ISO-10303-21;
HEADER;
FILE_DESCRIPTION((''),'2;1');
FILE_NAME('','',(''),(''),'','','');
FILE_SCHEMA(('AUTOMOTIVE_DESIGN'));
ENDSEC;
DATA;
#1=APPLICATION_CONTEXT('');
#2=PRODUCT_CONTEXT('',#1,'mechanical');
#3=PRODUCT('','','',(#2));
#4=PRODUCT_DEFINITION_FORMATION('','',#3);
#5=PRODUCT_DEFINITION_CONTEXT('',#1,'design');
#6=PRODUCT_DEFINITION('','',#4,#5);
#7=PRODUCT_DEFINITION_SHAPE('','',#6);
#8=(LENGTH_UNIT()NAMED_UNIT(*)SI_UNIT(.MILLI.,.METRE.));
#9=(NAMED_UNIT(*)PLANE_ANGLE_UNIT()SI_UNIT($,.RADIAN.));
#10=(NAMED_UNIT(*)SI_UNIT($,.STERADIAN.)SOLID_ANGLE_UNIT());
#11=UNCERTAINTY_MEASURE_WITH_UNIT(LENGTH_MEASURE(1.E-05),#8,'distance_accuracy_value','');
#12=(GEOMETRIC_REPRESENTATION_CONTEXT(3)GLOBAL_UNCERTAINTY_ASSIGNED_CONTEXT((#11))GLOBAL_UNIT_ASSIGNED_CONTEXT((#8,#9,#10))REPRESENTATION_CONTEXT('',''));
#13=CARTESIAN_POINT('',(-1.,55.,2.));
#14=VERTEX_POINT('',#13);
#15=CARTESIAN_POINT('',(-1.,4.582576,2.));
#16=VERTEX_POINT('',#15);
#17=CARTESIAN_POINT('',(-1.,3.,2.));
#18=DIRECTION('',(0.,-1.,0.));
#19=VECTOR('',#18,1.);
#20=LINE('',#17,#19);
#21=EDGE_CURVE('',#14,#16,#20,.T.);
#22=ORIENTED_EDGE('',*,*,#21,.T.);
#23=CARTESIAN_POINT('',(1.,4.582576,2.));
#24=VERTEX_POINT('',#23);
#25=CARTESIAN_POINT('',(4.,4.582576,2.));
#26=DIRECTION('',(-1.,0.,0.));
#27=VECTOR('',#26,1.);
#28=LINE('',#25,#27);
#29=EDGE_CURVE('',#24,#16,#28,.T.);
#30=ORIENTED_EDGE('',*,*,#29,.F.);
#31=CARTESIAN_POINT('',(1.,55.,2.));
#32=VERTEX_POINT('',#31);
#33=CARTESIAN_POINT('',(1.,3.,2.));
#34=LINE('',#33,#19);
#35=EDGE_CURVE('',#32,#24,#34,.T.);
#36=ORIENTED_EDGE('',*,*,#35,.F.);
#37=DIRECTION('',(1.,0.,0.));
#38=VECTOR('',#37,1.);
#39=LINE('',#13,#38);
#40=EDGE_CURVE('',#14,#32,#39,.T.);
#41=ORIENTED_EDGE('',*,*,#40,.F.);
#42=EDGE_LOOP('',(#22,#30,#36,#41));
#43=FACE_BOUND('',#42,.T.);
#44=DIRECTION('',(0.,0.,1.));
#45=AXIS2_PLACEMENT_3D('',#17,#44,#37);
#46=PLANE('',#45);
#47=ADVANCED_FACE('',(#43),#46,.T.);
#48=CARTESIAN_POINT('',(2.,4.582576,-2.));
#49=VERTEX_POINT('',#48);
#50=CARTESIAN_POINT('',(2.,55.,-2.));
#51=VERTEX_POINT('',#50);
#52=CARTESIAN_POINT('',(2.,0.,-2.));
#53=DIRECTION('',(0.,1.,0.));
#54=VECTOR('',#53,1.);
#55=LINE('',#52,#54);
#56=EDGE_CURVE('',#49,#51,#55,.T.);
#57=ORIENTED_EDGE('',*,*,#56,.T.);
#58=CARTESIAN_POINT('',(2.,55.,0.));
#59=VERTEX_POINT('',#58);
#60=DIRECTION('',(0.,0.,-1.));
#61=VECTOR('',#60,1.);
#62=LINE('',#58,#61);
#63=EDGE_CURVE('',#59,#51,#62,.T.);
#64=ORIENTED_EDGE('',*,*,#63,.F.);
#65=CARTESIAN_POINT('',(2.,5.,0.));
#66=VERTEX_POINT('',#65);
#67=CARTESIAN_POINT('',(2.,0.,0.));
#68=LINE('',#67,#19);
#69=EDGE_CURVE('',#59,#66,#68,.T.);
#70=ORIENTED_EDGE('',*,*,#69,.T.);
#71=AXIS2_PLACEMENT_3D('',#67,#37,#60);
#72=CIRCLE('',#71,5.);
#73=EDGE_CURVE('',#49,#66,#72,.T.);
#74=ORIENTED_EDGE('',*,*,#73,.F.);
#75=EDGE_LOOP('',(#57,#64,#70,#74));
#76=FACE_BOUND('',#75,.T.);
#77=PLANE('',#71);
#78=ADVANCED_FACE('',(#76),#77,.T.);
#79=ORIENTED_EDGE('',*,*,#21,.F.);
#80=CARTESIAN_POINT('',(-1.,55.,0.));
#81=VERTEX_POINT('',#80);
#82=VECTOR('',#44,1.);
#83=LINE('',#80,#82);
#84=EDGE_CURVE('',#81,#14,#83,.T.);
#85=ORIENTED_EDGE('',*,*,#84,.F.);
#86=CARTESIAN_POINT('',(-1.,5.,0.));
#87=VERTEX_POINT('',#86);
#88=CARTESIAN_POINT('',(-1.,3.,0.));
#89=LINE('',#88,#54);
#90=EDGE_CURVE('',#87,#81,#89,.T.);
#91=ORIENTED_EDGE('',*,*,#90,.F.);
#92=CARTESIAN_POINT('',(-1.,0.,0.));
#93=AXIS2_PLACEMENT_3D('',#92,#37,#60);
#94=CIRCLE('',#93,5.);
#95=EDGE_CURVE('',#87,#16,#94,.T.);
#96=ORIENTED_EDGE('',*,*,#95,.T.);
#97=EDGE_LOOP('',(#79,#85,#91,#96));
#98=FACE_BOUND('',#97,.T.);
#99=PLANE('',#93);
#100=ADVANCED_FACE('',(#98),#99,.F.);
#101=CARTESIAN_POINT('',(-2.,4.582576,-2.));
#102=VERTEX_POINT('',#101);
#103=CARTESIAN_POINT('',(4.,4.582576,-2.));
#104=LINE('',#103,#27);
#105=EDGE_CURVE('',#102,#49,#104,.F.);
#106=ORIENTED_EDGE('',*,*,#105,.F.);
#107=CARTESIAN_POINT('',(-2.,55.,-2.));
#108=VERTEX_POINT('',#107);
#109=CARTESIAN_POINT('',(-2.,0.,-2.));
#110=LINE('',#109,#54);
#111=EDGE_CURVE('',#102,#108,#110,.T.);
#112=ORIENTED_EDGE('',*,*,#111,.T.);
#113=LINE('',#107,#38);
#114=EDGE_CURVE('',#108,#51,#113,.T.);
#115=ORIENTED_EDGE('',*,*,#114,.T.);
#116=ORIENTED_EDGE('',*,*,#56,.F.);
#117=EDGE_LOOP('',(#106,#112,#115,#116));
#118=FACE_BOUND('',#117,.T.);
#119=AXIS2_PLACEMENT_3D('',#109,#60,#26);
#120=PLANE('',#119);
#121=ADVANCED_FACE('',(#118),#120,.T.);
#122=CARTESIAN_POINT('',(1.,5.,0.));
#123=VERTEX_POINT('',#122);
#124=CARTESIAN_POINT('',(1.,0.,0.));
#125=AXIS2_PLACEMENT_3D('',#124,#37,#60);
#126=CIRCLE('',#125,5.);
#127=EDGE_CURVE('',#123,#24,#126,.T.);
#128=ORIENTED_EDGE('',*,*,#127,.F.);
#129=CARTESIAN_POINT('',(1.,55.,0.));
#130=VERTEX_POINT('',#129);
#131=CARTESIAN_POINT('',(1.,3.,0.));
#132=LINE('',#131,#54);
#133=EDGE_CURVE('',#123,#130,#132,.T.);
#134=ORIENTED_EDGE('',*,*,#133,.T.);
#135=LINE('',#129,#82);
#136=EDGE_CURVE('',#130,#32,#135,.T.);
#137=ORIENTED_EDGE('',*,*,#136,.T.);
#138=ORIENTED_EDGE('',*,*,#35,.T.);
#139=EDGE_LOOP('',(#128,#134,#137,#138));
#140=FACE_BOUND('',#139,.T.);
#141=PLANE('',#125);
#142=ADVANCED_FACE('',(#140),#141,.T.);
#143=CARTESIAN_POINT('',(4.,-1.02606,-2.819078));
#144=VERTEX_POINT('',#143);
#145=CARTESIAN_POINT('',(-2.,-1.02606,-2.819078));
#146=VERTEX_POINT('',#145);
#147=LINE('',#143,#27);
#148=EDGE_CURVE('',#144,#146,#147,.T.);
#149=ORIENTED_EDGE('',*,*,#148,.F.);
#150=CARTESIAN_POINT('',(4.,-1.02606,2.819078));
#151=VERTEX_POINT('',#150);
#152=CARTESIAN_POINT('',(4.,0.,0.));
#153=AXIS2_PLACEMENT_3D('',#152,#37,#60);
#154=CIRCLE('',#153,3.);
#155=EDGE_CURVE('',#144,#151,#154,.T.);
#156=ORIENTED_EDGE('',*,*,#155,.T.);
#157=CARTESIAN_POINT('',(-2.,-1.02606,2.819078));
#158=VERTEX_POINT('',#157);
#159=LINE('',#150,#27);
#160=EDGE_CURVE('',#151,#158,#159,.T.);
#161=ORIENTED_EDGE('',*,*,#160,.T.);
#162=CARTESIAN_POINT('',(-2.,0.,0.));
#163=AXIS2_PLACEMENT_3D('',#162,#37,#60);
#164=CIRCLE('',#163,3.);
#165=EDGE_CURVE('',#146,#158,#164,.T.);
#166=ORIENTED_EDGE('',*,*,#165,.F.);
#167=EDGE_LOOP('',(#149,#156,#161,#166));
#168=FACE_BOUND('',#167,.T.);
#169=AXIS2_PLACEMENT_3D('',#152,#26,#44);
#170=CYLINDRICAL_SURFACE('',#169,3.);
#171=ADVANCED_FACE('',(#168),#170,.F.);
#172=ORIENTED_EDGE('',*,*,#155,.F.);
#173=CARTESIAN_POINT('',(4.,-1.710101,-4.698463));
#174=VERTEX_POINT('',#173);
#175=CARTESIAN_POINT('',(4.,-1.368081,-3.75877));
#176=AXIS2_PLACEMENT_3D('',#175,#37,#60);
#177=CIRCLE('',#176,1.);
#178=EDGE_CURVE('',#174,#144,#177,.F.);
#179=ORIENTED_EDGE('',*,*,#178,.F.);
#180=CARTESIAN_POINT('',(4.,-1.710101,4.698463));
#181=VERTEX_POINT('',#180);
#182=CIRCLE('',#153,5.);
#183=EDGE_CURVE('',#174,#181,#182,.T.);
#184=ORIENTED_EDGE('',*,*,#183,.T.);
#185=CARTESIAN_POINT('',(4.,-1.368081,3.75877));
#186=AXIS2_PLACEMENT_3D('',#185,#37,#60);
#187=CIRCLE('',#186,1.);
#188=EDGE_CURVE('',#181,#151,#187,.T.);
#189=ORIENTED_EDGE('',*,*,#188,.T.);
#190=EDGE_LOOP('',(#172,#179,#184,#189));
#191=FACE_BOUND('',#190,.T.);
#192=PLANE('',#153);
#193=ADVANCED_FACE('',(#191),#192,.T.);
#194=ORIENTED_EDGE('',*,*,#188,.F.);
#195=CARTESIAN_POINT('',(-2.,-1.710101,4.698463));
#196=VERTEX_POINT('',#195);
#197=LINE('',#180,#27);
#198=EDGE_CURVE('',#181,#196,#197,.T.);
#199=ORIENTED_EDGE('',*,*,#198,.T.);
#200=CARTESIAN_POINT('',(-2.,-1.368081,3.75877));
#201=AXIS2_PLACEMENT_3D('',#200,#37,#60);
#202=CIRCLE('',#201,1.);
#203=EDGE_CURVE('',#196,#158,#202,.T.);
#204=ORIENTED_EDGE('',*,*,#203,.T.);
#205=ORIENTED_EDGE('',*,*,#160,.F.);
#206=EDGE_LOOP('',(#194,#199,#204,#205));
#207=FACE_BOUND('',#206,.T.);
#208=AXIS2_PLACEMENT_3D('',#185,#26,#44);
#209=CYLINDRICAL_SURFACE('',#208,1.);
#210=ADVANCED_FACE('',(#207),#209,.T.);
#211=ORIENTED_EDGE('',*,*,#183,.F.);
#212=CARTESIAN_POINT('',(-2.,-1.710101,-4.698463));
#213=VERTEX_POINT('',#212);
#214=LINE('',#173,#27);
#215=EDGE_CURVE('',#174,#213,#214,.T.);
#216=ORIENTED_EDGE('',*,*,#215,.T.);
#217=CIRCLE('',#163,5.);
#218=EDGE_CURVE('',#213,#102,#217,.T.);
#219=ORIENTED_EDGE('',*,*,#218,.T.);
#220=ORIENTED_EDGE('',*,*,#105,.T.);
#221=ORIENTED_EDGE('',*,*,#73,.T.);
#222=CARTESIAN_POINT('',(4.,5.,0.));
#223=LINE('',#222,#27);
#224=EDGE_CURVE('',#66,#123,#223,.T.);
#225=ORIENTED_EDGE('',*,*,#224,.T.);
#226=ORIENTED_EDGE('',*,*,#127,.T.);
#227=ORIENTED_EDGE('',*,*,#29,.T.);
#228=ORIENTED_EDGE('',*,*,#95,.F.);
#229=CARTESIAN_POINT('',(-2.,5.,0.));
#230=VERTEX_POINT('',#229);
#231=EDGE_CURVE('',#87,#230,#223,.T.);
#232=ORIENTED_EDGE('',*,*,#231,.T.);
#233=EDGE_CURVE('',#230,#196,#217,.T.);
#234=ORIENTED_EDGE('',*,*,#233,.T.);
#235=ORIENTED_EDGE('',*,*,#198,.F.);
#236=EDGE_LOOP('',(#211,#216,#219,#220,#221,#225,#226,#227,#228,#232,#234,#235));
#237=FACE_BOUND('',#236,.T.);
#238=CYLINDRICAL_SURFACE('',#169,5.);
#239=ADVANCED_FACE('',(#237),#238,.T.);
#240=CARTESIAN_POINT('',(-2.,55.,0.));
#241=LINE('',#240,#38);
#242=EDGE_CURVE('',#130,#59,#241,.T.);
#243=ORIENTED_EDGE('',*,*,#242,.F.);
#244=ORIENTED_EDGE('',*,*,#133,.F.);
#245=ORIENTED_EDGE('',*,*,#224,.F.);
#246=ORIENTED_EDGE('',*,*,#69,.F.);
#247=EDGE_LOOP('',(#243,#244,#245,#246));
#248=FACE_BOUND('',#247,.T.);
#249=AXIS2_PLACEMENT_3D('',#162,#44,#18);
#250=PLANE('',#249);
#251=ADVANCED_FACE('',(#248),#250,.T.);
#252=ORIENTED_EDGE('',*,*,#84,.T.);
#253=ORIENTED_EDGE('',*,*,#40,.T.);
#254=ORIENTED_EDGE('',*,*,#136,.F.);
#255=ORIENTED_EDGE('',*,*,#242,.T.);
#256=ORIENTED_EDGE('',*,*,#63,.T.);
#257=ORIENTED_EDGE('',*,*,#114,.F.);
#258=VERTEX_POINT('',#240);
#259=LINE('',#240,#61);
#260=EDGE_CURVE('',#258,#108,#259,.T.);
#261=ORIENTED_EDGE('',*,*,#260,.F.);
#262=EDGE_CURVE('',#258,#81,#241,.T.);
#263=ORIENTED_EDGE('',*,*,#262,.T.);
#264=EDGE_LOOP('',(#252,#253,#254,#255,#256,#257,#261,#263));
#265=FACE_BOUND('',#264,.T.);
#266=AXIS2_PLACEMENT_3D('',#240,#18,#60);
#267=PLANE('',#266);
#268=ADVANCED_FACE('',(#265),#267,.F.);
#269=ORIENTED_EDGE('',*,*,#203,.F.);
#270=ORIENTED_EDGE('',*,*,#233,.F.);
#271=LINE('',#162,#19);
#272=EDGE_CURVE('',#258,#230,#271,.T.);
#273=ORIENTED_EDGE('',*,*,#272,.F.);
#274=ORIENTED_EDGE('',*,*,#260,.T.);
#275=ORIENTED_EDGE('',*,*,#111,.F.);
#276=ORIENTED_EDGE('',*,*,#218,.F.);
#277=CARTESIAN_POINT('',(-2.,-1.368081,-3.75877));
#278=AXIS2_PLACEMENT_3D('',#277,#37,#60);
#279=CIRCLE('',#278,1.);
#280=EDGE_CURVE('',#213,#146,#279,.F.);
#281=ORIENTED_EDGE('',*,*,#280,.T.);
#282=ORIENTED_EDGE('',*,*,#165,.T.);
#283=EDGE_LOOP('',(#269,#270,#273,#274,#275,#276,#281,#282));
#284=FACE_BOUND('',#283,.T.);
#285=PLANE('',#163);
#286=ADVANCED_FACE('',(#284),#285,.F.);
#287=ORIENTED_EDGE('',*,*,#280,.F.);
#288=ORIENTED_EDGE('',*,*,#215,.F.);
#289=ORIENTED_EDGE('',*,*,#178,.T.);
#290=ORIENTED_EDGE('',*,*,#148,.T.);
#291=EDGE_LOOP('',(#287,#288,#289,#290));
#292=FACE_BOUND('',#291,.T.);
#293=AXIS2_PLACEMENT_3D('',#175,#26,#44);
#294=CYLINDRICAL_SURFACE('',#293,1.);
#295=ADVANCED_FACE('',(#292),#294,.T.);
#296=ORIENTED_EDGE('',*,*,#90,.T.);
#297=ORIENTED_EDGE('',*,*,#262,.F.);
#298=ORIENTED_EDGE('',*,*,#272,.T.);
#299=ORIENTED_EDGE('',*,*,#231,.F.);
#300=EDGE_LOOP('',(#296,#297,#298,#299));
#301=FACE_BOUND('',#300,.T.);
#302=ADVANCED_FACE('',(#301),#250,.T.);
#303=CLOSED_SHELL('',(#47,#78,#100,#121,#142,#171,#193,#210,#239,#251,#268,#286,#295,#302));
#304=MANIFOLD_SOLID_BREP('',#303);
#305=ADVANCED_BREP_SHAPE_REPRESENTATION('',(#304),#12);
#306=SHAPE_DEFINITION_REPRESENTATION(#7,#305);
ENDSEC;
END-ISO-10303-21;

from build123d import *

# Parameters (mm, degrees)
BOSS_EXTRUDE1_DEPTH      = 4
BOSS_EXTRUDE1_DEPTH_BACK = 2
BOSS_EXTRUDE2_DEPTH      = 2
BOSS_EXTRUDE2_DEPTH_BACK = 2
BOSS_EXTRUDE3_DEPTH      = 1
BOSS_EXTRUDE3_DEPTH_BACK = 1
SKETCH3_W                = 2
SKETCH3_H                = 52


with BuildPart() as part:
    # Sketch1 → Boss-Extrude1 (new, two sides: drawn at the far end of the back side and taken through both)
    with BuildSketch(Plane(origin=(0, 0, 0), x_dir=(0, 0, -1), z_dir=(1, 0, 0)).offset(-BOSS_EXTRUDE1_DEPTH_BACK)):
        with BuildLine():
            ThreePointArc((-2.819077862, -1.02606043), (0, 3), (2.819077862, -1.02606043))
            ThreePointArc((2.819077862, -1.02606043), (3.41675034, -2.307773194), (4.698463104, -1.710100717))
            ThreePointArc((4.698463104, -1.710100717), (0, 5), (-4.698463104, -1.710100717))
            ThreePointArc((-4.698463104, -1.710100717), (-3.41675034, -2.307773194), (-2.819077862, -1.02606043))
        make_face()
    extrude(amount=BOSS_EXTRUDE1_DEPTH + BOSS_EXTRUDE1_DEPTH_BACK)

    # Sketch2 → Boss-Extrude2 (add, two sides: drawn at the far end of the back side and taken through both)
    with BuildSketch(Plane(origin=(0, 0, 0), x_dir=(0, 0, -1), z_dir=(1, 0, 0)).offset(-BOSS_EXTRUDE2_DEPTH_BACK)):
        Polygon((0, 5), (0, 3), (2, 3), (2, 55), (0, 55), align=None)
    extrude(amount=BOSS_EXTRUDE2_DEPTH + BOSS_EXTRUDE2_DEPTH_BACK)

    # Sketch3 → Boss-Extrude3 (add, two sides: drawn at the far end of the back side and taken through both)
    with BuildSketch(Plane(origin=(0, 0, 0), x_dir=(0, 0, -1), z_dir=(1, 0, 0)).offset(-BOSS_EXTRUDE3_DEPTH_BACK)):
        with Locations((-1, 29)):
            Rectangle(SKETCH3_W, SKETCH3_H)
    extrude(amount=BOSS_EXTRUDE3_DEPTH + BOSS_EXTRUDE3_DEPTH_BACK)


solid = part.part
